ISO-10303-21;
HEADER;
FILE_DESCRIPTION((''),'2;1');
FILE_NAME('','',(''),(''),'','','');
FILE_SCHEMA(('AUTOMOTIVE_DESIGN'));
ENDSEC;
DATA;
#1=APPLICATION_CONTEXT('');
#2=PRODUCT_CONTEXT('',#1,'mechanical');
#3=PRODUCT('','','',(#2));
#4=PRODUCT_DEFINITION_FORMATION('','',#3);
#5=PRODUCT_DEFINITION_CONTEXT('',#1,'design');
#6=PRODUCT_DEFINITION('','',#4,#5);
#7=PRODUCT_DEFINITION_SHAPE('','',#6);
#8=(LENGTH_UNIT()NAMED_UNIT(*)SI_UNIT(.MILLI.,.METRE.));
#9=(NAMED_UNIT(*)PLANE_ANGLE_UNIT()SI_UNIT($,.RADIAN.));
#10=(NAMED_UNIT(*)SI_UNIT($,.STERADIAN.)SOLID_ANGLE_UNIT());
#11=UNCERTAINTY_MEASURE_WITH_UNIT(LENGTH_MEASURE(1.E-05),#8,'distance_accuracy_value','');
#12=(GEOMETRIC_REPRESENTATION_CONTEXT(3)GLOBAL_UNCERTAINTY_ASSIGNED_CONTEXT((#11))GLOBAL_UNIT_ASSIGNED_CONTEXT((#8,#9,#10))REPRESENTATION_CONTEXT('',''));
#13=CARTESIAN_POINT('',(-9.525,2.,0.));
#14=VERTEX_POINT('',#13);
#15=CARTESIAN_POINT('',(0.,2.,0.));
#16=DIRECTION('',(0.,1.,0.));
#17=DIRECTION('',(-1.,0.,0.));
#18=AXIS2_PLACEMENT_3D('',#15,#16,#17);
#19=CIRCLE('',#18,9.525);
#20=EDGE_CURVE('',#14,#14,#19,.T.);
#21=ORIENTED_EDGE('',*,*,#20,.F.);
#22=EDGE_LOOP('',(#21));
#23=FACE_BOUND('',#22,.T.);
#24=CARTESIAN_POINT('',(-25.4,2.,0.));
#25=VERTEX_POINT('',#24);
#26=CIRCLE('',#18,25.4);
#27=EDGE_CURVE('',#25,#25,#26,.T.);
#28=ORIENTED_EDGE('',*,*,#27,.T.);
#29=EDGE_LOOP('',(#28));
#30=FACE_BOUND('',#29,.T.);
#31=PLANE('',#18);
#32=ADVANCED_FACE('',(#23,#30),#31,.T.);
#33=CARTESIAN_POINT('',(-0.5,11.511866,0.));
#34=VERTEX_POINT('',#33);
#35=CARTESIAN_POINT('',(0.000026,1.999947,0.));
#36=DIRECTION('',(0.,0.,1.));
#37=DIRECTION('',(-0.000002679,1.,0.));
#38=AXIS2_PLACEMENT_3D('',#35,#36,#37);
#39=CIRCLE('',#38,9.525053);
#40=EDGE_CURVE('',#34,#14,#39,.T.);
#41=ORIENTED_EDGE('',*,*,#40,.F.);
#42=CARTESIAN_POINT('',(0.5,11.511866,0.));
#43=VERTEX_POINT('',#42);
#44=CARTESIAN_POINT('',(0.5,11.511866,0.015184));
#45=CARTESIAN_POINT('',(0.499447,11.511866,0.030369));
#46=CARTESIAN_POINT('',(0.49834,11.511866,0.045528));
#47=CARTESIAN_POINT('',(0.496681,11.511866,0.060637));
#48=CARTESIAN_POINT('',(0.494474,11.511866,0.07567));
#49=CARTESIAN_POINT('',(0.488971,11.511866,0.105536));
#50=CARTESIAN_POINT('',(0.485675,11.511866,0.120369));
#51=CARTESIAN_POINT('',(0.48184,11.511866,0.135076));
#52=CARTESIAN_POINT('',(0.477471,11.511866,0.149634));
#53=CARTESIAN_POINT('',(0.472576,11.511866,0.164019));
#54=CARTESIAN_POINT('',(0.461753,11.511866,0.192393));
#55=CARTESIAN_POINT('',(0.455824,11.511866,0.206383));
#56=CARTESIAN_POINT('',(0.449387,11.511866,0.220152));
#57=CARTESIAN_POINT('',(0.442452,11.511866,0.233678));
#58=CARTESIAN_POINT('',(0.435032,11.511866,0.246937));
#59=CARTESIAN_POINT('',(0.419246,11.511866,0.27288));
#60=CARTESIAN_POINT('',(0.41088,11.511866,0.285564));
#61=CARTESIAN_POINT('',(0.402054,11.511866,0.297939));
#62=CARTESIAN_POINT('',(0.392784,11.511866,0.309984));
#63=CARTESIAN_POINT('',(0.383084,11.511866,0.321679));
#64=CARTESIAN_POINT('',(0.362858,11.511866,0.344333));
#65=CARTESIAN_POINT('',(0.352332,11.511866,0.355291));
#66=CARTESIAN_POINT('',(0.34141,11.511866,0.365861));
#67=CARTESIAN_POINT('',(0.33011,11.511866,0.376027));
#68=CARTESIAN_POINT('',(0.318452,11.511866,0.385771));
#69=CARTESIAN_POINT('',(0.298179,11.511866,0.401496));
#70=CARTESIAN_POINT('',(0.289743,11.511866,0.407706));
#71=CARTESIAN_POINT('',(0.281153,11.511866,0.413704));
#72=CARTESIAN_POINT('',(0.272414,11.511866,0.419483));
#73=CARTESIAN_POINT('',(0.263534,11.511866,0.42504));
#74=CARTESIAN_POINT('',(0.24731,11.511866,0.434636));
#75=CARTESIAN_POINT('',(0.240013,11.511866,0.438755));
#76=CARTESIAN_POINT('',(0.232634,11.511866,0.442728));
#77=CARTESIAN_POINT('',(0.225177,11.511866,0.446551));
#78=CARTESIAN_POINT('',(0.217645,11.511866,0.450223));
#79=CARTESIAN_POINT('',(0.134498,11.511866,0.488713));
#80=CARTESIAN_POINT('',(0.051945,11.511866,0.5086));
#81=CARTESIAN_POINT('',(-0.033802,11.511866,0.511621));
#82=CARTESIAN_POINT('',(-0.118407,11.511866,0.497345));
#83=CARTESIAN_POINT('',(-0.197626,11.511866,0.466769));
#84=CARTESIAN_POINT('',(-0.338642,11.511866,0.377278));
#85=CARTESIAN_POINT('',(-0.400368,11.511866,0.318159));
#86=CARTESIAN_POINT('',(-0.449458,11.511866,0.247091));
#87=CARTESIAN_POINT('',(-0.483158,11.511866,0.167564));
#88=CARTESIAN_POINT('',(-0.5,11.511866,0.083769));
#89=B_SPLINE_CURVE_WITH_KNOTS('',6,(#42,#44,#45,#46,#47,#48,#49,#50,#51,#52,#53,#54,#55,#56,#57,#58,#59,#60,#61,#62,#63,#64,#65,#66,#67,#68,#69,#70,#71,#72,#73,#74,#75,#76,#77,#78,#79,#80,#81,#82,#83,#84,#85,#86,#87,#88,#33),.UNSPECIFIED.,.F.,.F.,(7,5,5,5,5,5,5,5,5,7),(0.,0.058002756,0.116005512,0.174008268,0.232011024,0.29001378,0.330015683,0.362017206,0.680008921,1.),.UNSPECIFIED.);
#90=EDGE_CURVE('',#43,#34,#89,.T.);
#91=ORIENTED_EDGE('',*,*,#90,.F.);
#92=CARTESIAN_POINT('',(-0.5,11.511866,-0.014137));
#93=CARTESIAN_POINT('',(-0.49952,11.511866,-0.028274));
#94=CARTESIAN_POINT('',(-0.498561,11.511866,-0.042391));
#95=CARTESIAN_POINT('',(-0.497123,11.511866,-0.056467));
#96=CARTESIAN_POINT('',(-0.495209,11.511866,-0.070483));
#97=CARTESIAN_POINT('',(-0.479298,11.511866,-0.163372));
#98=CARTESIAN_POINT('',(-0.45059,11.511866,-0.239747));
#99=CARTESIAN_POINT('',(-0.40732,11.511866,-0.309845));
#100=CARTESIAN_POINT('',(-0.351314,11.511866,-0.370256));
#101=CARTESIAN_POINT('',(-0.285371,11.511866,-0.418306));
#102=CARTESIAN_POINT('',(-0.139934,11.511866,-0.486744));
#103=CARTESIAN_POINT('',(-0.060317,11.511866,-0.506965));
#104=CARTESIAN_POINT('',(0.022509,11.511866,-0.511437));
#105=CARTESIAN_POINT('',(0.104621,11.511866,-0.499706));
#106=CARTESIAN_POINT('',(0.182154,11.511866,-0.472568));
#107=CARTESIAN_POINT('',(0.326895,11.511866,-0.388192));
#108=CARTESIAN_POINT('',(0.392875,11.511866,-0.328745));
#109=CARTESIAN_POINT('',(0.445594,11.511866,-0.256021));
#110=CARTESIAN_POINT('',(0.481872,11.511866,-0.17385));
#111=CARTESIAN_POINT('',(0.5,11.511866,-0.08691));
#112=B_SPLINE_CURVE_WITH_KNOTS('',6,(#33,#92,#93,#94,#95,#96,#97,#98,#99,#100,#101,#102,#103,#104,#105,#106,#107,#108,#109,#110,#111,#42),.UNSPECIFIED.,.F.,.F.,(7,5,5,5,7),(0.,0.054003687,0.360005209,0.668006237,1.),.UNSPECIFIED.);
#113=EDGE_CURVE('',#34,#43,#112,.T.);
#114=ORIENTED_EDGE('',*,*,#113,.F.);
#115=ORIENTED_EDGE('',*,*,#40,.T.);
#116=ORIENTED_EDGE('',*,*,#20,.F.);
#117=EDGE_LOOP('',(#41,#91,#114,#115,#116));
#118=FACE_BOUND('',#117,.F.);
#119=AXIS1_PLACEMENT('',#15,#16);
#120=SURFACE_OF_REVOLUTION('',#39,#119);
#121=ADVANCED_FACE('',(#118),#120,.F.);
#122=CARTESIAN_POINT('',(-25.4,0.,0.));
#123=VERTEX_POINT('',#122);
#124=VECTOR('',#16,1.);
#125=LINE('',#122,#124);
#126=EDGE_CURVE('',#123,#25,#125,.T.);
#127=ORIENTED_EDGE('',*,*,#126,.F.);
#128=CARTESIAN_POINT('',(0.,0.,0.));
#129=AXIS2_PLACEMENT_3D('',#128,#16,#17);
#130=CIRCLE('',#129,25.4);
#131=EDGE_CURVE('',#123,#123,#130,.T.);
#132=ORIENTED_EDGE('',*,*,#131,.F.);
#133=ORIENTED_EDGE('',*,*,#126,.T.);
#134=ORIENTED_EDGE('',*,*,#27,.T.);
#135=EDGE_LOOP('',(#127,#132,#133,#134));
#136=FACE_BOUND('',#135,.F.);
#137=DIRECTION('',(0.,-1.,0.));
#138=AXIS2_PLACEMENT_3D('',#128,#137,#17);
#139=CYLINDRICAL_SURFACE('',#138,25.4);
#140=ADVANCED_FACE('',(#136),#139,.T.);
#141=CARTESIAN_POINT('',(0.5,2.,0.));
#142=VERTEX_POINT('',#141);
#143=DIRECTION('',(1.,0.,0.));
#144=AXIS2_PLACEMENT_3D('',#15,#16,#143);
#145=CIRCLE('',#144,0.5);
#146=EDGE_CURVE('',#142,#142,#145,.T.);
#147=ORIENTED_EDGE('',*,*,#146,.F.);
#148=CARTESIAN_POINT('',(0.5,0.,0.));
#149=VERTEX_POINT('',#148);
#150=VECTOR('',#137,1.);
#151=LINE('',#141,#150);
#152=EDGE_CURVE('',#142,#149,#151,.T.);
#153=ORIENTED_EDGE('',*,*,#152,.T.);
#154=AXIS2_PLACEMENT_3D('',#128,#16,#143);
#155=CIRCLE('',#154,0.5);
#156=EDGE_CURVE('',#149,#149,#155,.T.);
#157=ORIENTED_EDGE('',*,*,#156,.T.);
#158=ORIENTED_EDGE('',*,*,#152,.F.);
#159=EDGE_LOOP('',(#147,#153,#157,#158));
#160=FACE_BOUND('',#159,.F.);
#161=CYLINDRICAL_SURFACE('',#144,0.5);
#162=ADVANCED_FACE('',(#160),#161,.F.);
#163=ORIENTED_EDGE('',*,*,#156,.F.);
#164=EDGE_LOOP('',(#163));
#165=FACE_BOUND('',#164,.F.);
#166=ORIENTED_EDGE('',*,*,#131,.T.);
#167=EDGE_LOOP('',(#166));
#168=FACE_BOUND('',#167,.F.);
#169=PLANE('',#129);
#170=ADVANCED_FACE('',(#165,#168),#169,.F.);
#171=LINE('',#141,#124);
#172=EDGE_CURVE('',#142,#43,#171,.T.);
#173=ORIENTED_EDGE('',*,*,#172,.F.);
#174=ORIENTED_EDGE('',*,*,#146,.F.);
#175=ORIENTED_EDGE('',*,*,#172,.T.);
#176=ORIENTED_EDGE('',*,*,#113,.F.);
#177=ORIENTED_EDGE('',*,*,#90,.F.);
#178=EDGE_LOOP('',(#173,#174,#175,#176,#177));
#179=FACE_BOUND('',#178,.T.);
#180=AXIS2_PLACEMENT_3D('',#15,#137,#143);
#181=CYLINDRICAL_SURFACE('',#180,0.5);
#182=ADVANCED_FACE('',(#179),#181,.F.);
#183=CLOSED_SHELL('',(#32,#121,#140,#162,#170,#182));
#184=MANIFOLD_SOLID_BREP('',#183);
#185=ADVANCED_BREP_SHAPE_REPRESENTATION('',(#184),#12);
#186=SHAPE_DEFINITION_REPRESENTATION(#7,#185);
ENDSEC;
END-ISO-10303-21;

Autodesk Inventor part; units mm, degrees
ref_plane "YZ Plane" through (0, 0, 0) normal (1, 0, 0) x (0, 1, 0)
ref_plane "XZ Plane" through (0, 0, 0) normal (0, 1, 0) x (-1, 0, 0)
ref_plane "XY Plane" through (0, 0, 0) normal (0, 0, 1) x (1, 0, 0)
sketch "Sketch1" plane through (0, 0, 0) normal (0, 1, 0) x (-1, 0, 0)
  circle A0 centre (0, 0) radius 25.4
  dimension "d0" = 50.8
extrude "Extrusion1" add sketch "Sketch1" along normal blind 2
sketch "Sketch3" plane through (0, 0, 0) normal (0, 0, 1) x (1, 0, 0)
  line L0 (-25.4, 0) -> (25.4, 0) projected
  line L1 (25.4, 2) -> (-25.4, 2) projected
  line L2 (0, 2) -> (0, 13.4486)
  arc A0 (9.3127, 0) -> (9.525, 2) centre (0, 2) ccw
  arc A1 (0, 11.525) -> (-9.3127, 0) centre (0, 2) ccw
  line L3 (0, 2) -> (-9.525, 2)
  point P0 (0, 0)
revolve "Revolution1" add sketch "Sketch3" angle 360 about axis through (0, 2, 0) along (0, 1, 0) contours A1 L2 L1
sketch "Sketch2" plane through (0, 2, 0) normal (0, 1, 0) x (1, 0, 0)
  circle A0 centre (0, 0) radius 25.4 projected
  circle A1 centre (0, 0) radius 0.5
  dimension "d3" = 1
extrude "Extrusion2" cut sketch "Sketch2" along normal through all both and the other way through all contours A1
properties part number "flower"
